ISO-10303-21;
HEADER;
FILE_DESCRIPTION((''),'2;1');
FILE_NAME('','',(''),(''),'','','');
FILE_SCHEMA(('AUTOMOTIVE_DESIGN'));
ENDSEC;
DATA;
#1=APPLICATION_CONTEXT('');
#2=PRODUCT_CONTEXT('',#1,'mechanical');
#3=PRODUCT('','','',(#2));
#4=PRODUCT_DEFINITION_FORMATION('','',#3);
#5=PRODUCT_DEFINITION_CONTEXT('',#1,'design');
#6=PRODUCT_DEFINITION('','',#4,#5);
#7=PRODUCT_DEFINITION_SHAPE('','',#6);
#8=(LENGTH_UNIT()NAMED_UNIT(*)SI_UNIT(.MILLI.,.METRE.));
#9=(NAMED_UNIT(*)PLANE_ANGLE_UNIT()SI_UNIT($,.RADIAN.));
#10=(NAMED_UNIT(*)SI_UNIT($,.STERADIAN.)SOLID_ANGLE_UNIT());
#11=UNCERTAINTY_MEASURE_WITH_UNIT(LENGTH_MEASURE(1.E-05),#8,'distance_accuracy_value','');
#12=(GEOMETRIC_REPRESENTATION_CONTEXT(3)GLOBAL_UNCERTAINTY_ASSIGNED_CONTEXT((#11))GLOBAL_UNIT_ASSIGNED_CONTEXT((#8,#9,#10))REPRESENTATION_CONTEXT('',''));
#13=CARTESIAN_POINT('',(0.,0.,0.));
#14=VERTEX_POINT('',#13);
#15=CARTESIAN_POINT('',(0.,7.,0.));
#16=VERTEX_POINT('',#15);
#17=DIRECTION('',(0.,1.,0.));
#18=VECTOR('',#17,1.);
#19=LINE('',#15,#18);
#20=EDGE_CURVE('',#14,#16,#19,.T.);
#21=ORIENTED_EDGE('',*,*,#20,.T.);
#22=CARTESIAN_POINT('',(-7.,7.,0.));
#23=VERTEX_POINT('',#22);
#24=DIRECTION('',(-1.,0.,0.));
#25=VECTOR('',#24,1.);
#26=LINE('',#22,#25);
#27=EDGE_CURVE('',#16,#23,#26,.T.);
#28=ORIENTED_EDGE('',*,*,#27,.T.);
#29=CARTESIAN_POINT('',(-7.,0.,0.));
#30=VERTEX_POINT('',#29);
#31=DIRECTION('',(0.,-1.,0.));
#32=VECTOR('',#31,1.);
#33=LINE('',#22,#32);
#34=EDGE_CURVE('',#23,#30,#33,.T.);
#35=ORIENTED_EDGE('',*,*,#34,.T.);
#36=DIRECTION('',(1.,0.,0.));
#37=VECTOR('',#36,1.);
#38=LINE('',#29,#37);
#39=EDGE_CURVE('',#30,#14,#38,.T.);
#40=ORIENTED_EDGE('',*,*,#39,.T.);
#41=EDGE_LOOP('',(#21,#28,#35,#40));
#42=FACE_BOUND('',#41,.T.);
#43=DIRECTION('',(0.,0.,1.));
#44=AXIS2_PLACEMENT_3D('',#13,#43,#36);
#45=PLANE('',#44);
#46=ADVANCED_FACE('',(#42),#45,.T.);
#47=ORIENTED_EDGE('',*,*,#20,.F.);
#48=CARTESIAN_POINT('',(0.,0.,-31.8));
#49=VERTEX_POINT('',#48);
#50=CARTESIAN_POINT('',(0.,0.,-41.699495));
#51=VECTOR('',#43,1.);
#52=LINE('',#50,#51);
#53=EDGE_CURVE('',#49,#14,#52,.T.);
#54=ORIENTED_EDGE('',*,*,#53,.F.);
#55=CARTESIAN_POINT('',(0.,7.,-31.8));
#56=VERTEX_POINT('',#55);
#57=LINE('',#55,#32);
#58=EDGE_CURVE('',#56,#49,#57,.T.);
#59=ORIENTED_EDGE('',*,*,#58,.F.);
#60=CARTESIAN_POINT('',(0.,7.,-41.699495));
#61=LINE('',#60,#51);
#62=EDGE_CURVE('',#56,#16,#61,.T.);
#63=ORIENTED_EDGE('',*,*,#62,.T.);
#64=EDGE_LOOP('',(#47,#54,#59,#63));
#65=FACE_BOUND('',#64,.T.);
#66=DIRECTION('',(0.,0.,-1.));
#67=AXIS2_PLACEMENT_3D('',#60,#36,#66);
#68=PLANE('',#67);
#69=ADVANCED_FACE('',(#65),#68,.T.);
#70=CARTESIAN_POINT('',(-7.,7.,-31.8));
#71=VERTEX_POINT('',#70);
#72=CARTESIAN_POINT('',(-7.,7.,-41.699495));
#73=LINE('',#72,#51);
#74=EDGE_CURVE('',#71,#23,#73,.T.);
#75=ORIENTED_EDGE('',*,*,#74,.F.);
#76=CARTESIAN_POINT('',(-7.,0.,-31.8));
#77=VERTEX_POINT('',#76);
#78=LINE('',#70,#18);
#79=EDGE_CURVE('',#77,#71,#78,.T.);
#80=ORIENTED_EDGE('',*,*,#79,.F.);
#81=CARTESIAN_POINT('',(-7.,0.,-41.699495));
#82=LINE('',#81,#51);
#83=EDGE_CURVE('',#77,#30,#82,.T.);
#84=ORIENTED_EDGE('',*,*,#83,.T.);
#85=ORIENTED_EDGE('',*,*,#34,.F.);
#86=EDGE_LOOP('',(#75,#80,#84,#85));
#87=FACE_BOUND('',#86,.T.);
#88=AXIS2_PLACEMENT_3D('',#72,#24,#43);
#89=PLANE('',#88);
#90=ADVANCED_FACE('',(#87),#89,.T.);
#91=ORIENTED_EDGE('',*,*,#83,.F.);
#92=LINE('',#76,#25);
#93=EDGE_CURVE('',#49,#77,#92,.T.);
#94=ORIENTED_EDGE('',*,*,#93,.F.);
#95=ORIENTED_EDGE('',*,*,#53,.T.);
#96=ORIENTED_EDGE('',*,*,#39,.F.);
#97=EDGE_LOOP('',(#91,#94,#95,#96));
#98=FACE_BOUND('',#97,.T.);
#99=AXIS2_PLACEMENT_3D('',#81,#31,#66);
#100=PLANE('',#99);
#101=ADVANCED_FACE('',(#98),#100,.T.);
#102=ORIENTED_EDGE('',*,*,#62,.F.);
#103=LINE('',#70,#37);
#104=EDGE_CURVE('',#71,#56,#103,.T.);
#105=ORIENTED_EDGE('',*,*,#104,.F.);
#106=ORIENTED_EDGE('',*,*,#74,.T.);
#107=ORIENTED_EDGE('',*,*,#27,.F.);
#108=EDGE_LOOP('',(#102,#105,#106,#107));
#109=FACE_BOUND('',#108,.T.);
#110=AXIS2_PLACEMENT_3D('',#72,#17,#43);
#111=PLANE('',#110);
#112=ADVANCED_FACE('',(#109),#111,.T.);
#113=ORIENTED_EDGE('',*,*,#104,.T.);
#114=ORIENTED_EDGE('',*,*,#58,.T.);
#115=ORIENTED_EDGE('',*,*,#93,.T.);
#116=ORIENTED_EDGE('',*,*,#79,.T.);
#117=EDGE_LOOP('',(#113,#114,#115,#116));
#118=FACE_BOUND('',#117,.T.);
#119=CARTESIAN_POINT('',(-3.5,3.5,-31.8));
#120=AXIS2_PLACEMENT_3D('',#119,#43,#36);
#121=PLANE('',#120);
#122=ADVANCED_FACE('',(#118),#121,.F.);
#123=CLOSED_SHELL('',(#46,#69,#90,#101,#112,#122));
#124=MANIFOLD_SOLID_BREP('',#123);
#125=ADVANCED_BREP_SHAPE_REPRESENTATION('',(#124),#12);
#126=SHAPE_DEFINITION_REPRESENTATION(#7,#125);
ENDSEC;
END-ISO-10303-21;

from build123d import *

# Parameters (mm, degrees)
SKETCH_1_W      = 7
SKETCH_1_H      = 7
EXTRUDE_1_DEPTH = 31.8


with BuildPart() as part:
    # Эскиз1 → Бобышка-Вытянуть1 (new body)
    with BuildSketch(Plane.XY):
        with Locations((-3.5, 3.5)):
            Rectangle(SKETCH_1_W, SKETCH_1_H)
    extrude(amount=-EXTRUDE_1_DEPTH)


solid = part.part
